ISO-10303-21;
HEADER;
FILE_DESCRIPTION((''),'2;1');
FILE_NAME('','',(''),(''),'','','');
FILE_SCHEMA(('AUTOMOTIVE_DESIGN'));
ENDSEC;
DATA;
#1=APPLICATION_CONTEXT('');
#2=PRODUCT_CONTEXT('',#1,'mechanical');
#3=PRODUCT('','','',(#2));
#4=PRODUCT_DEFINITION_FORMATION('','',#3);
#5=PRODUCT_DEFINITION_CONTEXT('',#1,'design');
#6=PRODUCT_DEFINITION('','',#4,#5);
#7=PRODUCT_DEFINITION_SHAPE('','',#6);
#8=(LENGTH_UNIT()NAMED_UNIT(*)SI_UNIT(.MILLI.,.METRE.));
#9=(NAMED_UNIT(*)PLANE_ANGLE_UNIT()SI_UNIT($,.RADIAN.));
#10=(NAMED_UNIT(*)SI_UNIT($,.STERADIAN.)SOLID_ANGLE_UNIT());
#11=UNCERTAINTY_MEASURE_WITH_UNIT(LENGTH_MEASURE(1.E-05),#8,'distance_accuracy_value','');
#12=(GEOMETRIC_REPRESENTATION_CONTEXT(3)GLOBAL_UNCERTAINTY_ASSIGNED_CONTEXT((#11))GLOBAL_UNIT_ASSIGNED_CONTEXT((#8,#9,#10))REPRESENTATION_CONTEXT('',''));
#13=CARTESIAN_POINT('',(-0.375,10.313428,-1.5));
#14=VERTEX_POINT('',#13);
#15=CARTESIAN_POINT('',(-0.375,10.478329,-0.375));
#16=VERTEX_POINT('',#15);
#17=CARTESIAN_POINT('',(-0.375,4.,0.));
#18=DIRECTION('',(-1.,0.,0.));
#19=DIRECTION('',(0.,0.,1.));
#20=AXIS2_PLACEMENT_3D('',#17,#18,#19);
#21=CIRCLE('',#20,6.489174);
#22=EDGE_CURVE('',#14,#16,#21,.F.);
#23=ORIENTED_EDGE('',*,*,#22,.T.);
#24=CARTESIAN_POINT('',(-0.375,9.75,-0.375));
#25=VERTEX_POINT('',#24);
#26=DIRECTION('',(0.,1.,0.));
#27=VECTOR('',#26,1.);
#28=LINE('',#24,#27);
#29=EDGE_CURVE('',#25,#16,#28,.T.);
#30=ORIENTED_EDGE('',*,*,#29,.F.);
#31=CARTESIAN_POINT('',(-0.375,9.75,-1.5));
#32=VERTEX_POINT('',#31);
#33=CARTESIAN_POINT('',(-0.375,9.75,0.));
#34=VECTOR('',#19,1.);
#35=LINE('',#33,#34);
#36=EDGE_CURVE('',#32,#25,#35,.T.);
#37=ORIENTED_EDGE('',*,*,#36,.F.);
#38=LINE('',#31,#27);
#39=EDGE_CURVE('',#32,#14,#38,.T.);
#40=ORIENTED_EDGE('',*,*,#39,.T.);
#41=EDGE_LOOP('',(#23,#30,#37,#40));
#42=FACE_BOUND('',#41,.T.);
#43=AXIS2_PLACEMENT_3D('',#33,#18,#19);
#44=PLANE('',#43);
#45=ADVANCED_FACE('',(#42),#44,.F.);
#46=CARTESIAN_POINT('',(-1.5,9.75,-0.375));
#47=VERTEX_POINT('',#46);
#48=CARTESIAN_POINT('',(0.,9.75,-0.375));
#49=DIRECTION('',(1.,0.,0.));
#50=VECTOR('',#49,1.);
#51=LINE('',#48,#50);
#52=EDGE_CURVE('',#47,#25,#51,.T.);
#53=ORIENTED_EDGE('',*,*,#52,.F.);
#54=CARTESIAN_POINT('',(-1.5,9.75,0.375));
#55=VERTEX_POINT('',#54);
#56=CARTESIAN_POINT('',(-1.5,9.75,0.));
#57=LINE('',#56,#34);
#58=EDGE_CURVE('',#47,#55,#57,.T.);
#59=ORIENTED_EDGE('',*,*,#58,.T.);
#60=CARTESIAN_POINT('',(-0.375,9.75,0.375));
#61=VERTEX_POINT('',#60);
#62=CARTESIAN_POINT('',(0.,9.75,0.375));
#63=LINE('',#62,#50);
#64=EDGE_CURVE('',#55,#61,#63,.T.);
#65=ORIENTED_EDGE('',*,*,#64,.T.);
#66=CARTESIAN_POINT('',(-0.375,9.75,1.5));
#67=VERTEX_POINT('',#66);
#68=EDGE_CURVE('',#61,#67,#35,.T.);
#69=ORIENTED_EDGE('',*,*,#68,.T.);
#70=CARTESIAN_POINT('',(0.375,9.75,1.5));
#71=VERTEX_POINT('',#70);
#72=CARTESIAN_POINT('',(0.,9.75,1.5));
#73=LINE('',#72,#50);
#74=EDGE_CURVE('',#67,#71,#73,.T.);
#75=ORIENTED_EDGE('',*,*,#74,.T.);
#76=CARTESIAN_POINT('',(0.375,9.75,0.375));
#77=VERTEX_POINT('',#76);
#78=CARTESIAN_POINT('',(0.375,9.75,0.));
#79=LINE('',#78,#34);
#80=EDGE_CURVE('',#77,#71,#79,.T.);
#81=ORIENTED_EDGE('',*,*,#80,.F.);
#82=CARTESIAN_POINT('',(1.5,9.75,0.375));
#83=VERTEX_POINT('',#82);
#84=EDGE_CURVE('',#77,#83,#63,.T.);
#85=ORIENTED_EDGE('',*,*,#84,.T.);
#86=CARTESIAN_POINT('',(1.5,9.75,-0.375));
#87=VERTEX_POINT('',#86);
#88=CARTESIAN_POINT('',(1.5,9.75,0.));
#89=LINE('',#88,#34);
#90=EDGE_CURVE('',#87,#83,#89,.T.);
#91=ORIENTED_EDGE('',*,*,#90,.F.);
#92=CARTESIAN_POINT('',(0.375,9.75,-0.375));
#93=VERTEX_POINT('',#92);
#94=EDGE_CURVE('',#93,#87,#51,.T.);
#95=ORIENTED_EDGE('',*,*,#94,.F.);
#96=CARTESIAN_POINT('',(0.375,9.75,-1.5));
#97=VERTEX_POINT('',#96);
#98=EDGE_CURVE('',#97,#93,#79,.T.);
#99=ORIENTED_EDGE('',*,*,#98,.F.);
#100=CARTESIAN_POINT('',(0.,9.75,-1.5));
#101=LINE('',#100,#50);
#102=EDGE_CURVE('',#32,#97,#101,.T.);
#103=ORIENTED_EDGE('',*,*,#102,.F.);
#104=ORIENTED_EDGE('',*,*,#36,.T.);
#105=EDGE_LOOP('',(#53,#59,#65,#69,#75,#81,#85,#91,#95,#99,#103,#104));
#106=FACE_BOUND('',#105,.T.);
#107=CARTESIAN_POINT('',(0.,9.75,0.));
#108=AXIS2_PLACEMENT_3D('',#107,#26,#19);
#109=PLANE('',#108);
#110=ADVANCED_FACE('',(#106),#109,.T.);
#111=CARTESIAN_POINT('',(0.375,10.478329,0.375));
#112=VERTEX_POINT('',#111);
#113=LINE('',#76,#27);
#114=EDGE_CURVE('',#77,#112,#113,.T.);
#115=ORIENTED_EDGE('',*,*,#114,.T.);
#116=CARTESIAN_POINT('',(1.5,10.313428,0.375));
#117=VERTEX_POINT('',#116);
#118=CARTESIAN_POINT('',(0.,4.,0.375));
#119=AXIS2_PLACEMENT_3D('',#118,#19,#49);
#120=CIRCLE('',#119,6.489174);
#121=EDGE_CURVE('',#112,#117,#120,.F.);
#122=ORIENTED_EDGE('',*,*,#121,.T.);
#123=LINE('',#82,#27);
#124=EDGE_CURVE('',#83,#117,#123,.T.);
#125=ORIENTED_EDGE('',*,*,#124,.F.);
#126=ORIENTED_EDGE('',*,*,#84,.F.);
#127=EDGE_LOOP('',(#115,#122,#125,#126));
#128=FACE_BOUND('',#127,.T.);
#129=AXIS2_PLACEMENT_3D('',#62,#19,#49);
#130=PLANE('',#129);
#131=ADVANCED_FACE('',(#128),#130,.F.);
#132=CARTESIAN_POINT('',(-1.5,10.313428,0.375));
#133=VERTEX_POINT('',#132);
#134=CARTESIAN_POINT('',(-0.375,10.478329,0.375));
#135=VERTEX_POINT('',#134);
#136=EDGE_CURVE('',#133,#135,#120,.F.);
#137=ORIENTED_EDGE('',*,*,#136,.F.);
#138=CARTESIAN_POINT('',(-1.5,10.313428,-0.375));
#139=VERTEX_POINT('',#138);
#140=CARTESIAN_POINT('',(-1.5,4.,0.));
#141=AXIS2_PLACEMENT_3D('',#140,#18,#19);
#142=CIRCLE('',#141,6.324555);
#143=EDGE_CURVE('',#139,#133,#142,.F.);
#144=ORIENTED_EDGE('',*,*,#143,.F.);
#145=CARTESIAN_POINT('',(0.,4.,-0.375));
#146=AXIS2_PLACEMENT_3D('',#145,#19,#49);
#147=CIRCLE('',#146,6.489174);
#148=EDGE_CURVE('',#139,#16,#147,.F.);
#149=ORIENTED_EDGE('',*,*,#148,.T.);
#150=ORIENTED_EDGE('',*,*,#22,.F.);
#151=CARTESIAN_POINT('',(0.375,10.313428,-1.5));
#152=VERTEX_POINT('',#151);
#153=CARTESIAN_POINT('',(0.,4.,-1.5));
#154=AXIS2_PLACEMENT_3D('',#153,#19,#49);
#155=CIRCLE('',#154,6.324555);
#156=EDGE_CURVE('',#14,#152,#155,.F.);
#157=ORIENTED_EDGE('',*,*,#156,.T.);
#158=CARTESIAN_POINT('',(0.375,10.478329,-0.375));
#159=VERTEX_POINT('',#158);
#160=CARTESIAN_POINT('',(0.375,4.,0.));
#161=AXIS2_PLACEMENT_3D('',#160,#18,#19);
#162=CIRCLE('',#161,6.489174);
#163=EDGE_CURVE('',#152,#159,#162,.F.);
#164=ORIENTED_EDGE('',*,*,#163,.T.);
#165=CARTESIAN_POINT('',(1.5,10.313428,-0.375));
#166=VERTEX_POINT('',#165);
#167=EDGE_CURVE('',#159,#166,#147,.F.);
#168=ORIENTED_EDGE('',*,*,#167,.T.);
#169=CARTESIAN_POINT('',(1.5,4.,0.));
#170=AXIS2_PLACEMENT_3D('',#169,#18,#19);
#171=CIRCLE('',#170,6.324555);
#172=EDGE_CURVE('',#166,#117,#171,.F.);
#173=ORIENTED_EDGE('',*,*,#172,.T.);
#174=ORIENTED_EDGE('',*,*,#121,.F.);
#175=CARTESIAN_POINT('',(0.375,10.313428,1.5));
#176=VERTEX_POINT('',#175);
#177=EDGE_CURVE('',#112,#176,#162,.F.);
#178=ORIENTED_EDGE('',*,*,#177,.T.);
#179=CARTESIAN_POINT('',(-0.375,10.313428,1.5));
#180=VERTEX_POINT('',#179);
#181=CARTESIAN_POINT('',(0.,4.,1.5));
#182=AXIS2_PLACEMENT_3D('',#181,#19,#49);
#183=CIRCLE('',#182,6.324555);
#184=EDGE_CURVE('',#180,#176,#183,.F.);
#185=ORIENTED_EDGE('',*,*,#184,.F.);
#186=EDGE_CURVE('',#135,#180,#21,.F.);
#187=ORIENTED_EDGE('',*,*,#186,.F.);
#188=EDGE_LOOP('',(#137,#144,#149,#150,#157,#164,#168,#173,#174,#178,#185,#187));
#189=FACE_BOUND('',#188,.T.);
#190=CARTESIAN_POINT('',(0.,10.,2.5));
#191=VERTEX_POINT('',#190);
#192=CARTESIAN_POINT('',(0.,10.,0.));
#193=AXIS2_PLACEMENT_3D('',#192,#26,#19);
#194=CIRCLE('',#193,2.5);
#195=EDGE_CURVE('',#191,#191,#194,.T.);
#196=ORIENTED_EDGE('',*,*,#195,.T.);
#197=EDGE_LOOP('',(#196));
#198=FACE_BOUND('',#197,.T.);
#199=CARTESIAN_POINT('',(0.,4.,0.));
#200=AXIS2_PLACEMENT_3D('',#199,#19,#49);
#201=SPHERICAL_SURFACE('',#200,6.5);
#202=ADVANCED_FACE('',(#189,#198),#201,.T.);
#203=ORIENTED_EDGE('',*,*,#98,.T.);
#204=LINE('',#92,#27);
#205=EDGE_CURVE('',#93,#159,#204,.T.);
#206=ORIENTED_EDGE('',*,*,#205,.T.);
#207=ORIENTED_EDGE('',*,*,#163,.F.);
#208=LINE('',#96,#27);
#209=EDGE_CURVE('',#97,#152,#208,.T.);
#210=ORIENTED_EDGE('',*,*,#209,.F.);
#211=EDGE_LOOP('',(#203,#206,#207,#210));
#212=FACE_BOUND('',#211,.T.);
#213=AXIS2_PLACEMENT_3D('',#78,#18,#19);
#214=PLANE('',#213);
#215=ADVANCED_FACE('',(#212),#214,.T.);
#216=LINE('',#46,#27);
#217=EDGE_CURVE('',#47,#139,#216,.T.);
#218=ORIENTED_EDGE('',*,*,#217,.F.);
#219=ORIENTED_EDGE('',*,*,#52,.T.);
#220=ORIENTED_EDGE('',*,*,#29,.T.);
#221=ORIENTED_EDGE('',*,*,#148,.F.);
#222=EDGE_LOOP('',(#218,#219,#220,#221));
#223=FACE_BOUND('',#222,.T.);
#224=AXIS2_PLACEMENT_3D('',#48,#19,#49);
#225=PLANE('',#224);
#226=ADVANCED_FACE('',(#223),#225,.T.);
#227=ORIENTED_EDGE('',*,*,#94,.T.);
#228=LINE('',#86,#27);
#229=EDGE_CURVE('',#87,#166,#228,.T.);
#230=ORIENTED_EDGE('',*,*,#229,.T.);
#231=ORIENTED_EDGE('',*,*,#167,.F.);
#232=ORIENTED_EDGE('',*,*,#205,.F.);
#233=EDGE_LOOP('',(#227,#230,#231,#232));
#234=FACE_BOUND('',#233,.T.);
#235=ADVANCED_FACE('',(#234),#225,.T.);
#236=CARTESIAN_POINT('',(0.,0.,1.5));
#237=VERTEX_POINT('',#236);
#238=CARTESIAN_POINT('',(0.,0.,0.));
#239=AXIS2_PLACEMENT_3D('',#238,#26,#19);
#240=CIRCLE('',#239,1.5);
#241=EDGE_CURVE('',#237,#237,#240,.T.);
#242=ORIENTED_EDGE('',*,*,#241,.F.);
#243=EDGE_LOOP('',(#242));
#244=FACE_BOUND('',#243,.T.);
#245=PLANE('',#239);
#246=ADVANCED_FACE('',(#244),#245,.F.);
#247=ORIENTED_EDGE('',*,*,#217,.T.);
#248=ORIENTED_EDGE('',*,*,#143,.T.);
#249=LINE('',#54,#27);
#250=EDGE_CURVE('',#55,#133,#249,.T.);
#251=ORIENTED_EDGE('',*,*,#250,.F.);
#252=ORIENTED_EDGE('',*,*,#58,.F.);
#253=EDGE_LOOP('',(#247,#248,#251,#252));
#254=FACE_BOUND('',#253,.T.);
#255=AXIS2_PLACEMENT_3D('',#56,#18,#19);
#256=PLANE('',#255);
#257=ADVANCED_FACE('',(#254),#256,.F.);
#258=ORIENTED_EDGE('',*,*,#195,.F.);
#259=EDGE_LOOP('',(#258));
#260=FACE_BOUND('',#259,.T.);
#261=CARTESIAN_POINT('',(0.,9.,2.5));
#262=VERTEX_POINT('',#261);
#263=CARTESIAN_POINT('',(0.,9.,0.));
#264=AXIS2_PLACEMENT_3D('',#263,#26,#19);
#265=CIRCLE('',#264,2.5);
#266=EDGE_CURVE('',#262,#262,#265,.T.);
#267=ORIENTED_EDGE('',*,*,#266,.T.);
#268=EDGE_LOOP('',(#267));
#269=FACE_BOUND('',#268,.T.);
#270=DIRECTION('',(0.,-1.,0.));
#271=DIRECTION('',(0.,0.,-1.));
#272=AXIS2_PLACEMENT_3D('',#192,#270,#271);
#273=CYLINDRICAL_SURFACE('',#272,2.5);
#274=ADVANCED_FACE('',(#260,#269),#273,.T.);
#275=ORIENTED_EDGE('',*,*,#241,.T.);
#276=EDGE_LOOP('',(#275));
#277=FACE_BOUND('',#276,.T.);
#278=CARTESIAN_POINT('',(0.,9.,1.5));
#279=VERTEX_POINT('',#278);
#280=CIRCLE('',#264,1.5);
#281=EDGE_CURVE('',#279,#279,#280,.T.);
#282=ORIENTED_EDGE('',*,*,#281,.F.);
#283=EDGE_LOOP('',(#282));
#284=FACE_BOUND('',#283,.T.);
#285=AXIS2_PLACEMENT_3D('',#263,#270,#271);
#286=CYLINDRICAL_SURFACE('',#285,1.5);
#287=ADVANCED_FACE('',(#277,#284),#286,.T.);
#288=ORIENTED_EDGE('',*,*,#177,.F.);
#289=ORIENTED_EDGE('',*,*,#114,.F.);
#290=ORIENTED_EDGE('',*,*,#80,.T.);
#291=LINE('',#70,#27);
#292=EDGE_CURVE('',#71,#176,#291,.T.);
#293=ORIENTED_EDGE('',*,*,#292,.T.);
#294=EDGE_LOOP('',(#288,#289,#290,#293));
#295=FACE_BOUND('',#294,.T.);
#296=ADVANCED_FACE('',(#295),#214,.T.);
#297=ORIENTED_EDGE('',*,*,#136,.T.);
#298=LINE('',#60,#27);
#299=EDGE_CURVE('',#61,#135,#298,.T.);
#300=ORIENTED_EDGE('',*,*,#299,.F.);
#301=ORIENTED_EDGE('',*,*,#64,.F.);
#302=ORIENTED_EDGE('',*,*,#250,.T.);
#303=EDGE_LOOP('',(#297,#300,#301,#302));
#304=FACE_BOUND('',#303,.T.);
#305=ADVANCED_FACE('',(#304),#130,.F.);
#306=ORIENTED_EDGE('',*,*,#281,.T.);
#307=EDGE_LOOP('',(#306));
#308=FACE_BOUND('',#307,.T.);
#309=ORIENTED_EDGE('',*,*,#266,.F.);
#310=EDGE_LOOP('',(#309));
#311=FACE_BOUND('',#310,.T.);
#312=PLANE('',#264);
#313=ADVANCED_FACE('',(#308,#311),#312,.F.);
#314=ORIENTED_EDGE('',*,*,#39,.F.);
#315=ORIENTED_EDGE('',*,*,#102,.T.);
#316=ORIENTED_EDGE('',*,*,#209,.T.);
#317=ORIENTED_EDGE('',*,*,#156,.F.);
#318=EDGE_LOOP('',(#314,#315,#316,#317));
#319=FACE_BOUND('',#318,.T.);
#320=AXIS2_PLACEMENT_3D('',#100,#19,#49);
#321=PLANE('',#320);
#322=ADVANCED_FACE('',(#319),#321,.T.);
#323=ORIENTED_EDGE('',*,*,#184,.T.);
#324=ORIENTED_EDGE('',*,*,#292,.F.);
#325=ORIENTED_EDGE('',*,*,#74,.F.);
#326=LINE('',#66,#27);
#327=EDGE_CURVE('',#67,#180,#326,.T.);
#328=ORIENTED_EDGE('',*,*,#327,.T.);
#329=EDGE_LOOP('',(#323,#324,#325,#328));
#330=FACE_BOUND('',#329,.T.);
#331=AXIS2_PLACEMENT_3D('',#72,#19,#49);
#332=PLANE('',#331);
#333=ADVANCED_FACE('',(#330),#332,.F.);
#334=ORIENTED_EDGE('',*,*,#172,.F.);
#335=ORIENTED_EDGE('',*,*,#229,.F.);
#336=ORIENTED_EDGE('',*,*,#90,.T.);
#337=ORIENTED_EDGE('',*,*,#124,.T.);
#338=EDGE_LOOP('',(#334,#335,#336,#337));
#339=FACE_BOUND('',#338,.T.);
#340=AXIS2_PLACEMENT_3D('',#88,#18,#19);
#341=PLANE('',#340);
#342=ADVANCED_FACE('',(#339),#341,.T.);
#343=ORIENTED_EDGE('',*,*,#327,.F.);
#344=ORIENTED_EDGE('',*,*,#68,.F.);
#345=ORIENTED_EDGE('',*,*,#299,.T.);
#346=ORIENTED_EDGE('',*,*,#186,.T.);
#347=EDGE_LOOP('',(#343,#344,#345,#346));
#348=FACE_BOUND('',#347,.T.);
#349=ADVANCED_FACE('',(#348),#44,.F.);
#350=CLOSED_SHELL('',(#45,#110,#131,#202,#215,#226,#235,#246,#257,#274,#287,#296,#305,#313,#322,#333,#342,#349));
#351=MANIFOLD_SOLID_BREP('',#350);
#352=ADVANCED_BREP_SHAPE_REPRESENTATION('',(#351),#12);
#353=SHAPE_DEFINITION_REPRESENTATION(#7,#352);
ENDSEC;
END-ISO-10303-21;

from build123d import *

# Parameters (mm, degrees)
SKETCH1_R           = 1.5
BOSS_EXTRUDE1_DEPTH = 9
SKETCH2_R           = 2.5
BOSS_EXTRUDE2_DEPTH = 1
DOME1_FACE_RADIUS   = 2.5
DOME1_HEIGHT        = 0.5
SKETCH3_W           = 1.125
SKETCH3_H           = 0.75
SKETCH3_W_2         = 0.75
SKETCH3_H_2         = 1.125
CUT_EXTRUDE1_DEPTH  = 0.75


with BuildPart() as part:
    # Sketch1 → Boss-Extrude1 (new body)
    with BuildSketch(Plane(origin=(0, 0, 0), x_dir=(1, 0, 0), z_dir=(0, 1, 0))):
        Circle(SKETCH1_R)
    extrude(amount=BOSS_EXTRUDE1_DEPTH)

    # Sketch2 → Boss-Extrude2 (add)
    with BuildSketch(Plane(origin=(0, 9, 0), x_dir=(1, 0, 0), z_dir=(0, 1, 0))):
        Circle(SKETCH2_R)
    extrude(amount=BOSS_EXTRUDE2_DEPTH)

    # Dome1: a dome of height H over a round flat face of radius A is a cap of a sphere of radius (A * A + H * H) / (2 * H)
    dome1_r = (DOME1_FACE_RADIUS * DOME1_FACE_RADIUS + DOME1_HEIGHT * DOME1_HEIGHT) / (2 * DOME1_HEIGHT)
    dome1_base = Plane((0, 10, 0), z_dir=(0, 1, 0))
    with Locations(dome1_base.offset(DOME1_HEIGHT - dome1_r)):
        dome1_ball = Sphere(dome1_r, mode=Mode.PRIVATE)
    add(split(dome1_ball, bisect_by=dome1_base, keep=Keep.TOP, mode=Mode.PRIVATE))

    # Sketch3 → Cut-Extrude1 (cut)
    with BuildSketch(Plane(origin=(0, 10.5, 0), x_dir=(1, 0, 0), z_dir=(0, 1, 0))):
        with Locations((-0.9375, 0)):
            Rectangle(SKETCH3_W, SKETCH3_H)
        Rectangle(SKETCH3_W_2, SKETCH3_H)
        with Locations((0, 0.9375)):
            Rectangle(SKETCH3_W_2, SKETCH3_H_2)
        with Locations((0.9375, 0)):
            Rectangle(SKETCH3_W, SKETCH3_H)
        with Locations((0, -0.9375)):
            Rectangle(SKETCH3_W_2, SKETCH3_H_2)
    extrude(amount=-CUT_EXTRUDE1_DEPTH, mode=Mode.SUBTRACT)


solid = part.part
